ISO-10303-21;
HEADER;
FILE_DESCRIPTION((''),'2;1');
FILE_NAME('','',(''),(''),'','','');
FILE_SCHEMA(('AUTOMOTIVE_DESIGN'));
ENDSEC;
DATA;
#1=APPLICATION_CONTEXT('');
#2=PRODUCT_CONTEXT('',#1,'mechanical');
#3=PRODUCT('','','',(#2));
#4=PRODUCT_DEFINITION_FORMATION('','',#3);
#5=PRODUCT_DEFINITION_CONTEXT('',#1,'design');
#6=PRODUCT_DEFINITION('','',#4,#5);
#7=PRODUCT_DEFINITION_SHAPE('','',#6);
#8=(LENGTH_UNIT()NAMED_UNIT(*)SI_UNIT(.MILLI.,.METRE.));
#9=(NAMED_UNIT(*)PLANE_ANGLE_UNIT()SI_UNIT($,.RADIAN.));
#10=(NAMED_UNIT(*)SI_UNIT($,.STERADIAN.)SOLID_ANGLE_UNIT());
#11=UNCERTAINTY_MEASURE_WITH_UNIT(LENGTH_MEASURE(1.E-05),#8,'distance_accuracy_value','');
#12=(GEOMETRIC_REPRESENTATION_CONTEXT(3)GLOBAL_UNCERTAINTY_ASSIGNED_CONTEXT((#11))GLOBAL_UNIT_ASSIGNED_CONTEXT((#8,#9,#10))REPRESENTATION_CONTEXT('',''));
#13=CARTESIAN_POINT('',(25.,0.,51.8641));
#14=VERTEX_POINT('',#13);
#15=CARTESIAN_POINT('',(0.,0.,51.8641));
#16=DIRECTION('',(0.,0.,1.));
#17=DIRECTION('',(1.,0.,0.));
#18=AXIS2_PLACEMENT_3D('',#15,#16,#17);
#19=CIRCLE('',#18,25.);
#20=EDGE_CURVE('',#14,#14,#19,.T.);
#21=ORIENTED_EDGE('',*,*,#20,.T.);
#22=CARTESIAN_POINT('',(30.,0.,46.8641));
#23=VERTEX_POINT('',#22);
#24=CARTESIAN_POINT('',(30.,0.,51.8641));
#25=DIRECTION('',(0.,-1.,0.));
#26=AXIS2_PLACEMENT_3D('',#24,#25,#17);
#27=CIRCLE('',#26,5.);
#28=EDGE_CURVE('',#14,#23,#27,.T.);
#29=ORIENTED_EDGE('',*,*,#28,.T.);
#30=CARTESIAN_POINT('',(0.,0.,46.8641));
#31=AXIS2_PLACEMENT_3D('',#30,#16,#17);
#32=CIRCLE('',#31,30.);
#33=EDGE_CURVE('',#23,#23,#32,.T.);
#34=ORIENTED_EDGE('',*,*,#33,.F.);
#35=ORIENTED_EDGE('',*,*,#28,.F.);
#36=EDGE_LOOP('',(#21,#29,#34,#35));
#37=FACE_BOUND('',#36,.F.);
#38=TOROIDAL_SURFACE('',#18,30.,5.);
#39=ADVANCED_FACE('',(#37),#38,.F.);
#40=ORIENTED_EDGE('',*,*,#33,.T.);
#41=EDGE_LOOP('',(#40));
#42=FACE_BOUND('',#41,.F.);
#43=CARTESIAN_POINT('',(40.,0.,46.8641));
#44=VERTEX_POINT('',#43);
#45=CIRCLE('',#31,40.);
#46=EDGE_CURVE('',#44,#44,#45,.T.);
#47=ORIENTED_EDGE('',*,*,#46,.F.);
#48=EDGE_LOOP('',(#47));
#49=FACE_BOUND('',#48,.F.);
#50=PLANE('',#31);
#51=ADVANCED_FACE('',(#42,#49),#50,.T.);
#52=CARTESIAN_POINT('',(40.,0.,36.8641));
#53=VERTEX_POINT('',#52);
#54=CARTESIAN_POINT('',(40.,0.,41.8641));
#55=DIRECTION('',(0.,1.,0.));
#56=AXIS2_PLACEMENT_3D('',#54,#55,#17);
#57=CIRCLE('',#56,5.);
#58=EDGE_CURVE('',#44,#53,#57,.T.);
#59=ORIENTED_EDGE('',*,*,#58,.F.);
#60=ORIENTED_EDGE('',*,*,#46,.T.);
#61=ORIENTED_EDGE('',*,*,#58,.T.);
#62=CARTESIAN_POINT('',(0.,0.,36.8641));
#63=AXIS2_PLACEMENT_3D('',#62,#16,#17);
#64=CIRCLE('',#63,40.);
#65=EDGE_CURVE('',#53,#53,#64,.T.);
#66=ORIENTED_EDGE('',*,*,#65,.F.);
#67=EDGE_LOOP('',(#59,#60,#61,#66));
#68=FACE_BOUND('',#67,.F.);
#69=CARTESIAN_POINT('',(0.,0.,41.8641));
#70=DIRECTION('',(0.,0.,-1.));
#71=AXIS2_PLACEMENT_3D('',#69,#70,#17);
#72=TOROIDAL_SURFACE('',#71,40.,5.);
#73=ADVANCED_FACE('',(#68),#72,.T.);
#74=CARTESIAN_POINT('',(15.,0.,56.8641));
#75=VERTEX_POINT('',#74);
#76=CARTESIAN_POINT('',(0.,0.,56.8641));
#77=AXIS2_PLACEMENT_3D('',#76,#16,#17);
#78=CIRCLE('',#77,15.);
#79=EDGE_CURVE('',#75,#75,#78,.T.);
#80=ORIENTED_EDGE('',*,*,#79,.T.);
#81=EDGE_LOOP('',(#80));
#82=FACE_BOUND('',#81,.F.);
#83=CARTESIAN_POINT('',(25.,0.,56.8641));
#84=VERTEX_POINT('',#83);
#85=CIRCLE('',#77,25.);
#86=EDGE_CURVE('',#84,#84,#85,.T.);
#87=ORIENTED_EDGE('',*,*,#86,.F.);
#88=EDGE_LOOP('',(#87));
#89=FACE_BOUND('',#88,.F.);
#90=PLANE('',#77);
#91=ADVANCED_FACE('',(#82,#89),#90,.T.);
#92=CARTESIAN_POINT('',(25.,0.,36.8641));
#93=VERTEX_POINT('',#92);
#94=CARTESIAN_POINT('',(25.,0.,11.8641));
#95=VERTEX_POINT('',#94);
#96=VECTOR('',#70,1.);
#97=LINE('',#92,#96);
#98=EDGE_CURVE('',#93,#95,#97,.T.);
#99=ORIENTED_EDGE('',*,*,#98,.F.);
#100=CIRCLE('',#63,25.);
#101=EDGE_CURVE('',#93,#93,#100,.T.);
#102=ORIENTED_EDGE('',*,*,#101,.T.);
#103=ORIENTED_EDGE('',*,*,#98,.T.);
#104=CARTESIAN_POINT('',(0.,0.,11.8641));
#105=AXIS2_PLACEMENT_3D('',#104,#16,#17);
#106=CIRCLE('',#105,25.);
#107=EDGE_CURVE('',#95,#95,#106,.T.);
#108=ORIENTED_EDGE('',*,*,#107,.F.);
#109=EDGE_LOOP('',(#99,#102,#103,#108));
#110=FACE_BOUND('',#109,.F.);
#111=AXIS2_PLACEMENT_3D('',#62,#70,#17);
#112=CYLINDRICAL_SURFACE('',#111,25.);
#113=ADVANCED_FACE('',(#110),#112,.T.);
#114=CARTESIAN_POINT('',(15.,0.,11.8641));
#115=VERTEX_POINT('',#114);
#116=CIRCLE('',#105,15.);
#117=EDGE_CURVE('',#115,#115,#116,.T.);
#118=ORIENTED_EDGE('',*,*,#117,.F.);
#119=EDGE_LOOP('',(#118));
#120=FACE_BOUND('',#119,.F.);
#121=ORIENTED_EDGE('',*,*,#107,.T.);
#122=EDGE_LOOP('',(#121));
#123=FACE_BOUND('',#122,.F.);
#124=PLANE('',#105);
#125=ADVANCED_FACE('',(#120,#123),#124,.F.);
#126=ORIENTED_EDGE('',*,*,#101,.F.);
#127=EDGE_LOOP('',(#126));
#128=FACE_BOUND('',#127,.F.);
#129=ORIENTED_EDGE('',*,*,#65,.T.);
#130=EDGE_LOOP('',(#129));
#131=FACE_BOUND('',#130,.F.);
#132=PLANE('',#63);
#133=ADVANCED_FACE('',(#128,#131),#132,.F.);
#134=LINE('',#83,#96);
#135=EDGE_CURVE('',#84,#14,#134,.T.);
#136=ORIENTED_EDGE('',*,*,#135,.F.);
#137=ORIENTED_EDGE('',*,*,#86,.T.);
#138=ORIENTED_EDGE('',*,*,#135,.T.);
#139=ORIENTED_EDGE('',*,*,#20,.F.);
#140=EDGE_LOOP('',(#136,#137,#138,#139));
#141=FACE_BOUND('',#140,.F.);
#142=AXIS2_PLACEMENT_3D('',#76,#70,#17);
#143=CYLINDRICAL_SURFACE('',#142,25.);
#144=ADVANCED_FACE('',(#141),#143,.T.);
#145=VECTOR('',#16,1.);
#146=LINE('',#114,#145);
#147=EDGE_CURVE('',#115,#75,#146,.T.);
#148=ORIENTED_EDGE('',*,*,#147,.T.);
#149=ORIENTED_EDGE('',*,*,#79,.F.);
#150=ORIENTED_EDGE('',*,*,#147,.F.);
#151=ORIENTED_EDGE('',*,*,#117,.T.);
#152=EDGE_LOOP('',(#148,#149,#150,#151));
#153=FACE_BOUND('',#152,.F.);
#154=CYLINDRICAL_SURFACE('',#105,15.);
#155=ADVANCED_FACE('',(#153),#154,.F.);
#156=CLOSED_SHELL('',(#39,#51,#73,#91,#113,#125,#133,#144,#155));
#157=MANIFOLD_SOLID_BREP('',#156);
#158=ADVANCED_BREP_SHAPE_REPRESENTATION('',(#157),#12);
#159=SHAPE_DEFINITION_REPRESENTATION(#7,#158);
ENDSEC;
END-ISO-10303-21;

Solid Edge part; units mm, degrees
sketch "Sketch1" plane through (0, 0, 0) normal (0, -1, 0) x (1, 0, 0)
  arc A0 (25, 51.8641) -> (30, 46.8641) centre (30, 51.8641) ccw
  line L0 (30, 46.8641) -> (40, 46.8641)
  arc A1 (40, 46.8641) -> (40, 36.8641) centre (40, 41.8641) cw
  line L1 (40, 36.8641) -> (25, 36.8641)
  line L2 (25, 36.8641) -> (25, 11.8641)
  line L3 (25, 11.8641) -> (15, 11.8641)
  line L4 (15, 11.8641) -> (15, 56.8641)
  line L5 (15, 56.8641) -> (25, 56.8641)
  line L6 (25, 56.8641) -> (25, 51.8641)
revolve "RevolvedProtrusion1" add sketch "Sketch1" angle 360 about axis through (0, 0, 0) along (0, 0, 1)
